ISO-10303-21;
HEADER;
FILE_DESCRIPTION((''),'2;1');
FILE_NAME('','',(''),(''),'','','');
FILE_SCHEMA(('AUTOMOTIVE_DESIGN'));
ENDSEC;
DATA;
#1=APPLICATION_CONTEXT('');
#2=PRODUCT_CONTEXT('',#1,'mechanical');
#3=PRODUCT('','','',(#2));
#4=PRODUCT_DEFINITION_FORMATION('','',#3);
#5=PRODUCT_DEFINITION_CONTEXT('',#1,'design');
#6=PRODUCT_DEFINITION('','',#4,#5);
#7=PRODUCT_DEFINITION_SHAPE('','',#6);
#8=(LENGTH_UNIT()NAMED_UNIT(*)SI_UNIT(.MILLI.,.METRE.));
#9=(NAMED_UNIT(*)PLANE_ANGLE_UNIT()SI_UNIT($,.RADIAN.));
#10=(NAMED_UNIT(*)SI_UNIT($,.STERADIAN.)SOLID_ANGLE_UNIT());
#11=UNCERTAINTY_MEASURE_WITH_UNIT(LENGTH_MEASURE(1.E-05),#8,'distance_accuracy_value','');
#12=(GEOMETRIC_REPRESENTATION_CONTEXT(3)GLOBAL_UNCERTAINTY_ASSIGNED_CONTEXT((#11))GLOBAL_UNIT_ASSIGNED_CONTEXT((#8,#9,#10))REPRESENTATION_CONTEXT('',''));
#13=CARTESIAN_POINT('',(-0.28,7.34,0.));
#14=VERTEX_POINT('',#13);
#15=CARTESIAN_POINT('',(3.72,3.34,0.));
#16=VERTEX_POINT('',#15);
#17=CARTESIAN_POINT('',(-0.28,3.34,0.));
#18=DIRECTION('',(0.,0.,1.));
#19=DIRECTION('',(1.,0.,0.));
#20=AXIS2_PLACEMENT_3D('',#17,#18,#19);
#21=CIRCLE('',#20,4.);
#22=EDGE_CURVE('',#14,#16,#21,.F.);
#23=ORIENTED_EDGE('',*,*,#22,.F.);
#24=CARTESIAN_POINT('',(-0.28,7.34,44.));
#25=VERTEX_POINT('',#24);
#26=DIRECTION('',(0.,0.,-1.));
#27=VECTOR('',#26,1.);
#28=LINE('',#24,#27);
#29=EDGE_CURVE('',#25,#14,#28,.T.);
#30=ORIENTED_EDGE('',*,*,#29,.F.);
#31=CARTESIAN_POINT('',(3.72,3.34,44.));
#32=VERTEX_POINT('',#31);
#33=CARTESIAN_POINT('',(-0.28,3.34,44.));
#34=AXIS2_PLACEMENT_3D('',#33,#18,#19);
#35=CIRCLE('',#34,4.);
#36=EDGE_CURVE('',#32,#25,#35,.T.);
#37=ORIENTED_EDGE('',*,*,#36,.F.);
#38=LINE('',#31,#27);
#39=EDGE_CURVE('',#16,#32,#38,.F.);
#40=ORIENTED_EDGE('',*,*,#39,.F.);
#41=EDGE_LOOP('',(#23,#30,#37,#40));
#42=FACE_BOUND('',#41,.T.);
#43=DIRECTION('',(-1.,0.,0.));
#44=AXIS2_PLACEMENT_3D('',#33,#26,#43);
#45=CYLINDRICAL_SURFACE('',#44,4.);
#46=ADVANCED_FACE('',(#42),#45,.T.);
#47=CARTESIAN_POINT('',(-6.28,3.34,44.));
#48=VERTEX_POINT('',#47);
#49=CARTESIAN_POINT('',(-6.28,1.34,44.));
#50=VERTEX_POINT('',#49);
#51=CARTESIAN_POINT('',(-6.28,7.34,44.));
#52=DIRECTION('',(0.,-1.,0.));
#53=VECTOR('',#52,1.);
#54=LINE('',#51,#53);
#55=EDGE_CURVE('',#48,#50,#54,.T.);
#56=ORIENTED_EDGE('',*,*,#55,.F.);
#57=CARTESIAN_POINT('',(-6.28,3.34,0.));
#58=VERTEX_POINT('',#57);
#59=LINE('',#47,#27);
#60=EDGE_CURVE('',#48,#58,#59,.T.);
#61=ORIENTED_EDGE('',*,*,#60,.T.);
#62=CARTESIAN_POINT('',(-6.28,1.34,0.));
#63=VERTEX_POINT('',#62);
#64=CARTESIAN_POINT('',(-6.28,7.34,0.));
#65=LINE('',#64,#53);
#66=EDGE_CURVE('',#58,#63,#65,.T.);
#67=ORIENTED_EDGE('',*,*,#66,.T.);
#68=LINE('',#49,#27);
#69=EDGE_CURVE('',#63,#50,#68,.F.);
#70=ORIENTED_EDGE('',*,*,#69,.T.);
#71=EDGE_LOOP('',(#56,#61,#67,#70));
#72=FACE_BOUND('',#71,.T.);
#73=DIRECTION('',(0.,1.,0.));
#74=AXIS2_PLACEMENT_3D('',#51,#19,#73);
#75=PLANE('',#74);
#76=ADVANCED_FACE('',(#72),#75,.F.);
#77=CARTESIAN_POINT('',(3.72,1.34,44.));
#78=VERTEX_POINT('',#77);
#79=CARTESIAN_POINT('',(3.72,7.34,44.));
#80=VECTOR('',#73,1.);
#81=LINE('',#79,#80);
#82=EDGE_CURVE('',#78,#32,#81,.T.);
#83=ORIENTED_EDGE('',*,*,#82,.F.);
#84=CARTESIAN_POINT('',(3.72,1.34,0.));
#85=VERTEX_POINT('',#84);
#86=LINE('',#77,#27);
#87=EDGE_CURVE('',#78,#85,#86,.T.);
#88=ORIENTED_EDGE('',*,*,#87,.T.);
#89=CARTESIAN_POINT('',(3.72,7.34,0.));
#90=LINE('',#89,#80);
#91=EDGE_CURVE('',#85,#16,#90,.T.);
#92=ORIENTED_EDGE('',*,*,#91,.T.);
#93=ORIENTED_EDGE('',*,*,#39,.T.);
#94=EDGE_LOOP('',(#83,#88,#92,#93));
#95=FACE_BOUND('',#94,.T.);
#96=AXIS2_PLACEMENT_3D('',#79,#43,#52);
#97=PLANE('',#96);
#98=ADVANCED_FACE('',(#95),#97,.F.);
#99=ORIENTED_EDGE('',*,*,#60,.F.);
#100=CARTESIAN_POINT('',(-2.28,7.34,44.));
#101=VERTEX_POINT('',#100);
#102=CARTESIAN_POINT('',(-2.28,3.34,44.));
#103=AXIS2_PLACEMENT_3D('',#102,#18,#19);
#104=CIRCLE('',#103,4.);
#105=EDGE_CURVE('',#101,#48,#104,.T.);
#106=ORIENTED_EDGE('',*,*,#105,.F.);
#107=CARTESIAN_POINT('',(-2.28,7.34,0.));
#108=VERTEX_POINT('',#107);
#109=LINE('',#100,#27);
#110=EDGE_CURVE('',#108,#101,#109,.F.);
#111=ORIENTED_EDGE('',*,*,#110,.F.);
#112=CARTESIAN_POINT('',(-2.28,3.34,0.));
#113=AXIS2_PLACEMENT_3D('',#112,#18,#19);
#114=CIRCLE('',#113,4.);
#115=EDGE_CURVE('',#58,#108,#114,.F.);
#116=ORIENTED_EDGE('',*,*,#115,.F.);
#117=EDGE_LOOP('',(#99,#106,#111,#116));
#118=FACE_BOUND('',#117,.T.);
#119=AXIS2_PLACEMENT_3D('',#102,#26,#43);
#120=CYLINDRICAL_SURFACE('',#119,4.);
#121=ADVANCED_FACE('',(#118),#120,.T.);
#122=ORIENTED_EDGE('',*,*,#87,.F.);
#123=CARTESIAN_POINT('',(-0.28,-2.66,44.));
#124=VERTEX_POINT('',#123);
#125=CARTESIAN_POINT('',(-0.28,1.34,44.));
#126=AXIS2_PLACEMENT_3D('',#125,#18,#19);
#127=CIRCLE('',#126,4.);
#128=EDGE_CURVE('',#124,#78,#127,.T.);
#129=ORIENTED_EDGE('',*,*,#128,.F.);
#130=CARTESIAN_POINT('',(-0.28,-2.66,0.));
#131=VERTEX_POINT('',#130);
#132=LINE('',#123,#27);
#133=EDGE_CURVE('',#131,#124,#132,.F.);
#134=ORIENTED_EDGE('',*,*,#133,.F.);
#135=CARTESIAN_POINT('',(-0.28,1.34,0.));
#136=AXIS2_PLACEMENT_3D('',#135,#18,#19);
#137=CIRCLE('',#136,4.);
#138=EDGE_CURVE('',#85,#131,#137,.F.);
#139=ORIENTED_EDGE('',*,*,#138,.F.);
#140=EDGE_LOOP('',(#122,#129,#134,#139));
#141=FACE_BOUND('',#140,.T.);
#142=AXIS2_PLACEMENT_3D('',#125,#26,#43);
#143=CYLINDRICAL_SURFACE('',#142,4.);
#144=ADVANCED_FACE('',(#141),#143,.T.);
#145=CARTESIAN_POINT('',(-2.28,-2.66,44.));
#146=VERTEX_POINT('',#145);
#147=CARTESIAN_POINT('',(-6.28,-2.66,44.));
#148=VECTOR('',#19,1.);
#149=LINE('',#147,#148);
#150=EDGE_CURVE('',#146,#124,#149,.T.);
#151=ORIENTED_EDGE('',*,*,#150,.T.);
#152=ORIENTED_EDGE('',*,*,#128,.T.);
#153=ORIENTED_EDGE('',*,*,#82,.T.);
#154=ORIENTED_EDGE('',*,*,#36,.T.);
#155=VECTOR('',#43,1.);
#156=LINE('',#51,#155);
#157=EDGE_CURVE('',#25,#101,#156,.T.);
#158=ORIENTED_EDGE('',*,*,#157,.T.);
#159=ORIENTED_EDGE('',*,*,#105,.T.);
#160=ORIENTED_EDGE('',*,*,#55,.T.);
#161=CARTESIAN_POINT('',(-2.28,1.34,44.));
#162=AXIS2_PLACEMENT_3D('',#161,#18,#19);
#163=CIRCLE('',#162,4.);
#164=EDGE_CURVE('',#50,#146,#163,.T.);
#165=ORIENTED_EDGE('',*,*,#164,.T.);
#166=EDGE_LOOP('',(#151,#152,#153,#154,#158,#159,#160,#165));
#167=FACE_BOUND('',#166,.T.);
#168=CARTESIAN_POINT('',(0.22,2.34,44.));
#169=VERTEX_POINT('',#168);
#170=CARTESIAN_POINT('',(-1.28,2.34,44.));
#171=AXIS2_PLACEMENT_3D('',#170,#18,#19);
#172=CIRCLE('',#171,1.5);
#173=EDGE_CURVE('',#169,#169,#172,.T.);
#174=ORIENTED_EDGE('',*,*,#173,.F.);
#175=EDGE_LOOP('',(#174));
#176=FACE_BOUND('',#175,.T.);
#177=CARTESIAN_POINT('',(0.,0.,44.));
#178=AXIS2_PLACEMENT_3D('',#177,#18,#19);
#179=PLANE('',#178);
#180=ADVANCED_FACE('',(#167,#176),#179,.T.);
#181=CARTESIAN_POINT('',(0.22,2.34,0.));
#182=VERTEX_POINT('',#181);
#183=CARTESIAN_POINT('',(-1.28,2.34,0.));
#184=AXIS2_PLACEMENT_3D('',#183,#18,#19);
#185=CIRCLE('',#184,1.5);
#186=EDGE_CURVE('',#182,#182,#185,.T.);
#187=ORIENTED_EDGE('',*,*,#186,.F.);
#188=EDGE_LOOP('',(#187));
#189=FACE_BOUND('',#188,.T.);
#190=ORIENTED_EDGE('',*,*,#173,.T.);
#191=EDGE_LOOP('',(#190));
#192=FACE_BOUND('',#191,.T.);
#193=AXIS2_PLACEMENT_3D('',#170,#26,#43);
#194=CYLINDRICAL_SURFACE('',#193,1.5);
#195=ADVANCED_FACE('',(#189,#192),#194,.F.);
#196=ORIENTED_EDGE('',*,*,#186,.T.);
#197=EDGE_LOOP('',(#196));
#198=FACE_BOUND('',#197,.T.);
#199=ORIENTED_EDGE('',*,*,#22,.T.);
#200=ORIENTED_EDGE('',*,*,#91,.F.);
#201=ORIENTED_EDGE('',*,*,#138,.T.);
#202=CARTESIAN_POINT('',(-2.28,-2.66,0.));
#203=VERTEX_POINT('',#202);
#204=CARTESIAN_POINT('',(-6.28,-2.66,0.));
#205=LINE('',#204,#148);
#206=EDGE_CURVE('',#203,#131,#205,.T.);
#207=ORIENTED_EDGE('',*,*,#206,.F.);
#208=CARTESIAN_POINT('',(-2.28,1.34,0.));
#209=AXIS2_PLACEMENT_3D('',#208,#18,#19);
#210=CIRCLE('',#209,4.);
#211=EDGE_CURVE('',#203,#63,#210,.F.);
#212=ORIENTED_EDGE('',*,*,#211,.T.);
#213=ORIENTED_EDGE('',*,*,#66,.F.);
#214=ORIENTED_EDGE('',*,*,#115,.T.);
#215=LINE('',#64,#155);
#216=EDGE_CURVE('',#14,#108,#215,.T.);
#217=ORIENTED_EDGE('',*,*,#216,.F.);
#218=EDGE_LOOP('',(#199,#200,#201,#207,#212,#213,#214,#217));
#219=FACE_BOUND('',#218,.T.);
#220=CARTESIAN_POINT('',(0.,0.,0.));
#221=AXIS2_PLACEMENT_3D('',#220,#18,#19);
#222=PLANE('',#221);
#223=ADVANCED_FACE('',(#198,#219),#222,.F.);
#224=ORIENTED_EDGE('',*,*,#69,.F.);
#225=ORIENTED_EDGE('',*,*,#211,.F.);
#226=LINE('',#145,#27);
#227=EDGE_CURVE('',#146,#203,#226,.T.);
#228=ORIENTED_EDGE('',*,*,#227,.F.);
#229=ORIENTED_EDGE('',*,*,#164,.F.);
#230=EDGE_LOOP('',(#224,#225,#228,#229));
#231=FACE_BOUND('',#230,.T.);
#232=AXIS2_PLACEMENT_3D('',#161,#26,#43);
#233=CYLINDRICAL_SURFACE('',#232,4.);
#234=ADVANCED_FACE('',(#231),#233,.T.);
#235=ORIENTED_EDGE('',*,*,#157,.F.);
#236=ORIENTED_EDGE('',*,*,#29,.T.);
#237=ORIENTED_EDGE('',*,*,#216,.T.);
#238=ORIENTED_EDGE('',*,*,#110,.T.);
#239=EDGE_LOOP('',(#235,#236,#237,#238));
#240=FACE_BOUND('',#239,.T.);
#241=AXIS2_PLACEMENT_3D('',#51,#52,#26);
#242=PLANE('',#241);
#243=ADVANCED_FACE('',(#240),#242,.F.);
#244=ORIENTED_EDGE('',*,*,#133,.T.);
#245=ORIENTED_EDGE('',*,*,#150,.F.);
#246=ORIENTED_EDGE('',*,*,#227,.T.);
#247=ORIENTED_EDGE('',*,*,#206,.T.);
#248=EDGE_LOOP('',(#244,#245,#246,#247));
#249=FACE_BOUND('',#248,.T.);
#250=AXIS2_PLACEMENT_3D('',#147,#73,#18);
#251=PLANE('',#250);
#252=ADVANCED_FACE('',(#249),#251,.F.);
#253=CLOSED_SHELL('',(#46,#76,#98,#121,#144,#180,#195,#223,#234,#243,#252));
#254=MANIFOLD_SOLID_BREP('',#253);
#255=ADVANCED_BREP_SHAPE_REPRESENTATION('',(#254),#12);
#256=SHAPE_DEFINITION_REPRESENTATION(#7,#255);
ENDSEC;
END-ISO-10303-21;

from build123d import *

# Parameters (mm, degrees)
SKETCH_1_W      = 10
SKETCH_1_H      = 10
SKETCH_1_R      = 1.5
EXTRUDE_1_DEPTH = 44
FILLET_1_R      = 4


with BuildPart() as part:
    # 草图1 → 凸台-拉伸1 (new body)
    with BuildSketch(Plane.XY):
        with Locations((-1.28, 2.34)):
            Rectangle(SKETCH_1_W, SKETCH_1_H)
        with Locations((-1.28, 2.34)):
            Circle(SKETCH_1_R, mode=Mode.SUBTRACT)
    extrude(amount=EXTRUDE_1_DEPTH)

    # 圆角1
    fillet_1_edges = [part.edges().sort_by_distance(p)[0] for p in [
        (3.72, -2.66, 22),
        (-6.28, -2.66, 22),
        (-6.28, 7.34, 22),
        (3.72, 7.34, 22),
    ]]
    fillet(fillet_1_edges, radius=FILLET_1_R)


solid = part.part
